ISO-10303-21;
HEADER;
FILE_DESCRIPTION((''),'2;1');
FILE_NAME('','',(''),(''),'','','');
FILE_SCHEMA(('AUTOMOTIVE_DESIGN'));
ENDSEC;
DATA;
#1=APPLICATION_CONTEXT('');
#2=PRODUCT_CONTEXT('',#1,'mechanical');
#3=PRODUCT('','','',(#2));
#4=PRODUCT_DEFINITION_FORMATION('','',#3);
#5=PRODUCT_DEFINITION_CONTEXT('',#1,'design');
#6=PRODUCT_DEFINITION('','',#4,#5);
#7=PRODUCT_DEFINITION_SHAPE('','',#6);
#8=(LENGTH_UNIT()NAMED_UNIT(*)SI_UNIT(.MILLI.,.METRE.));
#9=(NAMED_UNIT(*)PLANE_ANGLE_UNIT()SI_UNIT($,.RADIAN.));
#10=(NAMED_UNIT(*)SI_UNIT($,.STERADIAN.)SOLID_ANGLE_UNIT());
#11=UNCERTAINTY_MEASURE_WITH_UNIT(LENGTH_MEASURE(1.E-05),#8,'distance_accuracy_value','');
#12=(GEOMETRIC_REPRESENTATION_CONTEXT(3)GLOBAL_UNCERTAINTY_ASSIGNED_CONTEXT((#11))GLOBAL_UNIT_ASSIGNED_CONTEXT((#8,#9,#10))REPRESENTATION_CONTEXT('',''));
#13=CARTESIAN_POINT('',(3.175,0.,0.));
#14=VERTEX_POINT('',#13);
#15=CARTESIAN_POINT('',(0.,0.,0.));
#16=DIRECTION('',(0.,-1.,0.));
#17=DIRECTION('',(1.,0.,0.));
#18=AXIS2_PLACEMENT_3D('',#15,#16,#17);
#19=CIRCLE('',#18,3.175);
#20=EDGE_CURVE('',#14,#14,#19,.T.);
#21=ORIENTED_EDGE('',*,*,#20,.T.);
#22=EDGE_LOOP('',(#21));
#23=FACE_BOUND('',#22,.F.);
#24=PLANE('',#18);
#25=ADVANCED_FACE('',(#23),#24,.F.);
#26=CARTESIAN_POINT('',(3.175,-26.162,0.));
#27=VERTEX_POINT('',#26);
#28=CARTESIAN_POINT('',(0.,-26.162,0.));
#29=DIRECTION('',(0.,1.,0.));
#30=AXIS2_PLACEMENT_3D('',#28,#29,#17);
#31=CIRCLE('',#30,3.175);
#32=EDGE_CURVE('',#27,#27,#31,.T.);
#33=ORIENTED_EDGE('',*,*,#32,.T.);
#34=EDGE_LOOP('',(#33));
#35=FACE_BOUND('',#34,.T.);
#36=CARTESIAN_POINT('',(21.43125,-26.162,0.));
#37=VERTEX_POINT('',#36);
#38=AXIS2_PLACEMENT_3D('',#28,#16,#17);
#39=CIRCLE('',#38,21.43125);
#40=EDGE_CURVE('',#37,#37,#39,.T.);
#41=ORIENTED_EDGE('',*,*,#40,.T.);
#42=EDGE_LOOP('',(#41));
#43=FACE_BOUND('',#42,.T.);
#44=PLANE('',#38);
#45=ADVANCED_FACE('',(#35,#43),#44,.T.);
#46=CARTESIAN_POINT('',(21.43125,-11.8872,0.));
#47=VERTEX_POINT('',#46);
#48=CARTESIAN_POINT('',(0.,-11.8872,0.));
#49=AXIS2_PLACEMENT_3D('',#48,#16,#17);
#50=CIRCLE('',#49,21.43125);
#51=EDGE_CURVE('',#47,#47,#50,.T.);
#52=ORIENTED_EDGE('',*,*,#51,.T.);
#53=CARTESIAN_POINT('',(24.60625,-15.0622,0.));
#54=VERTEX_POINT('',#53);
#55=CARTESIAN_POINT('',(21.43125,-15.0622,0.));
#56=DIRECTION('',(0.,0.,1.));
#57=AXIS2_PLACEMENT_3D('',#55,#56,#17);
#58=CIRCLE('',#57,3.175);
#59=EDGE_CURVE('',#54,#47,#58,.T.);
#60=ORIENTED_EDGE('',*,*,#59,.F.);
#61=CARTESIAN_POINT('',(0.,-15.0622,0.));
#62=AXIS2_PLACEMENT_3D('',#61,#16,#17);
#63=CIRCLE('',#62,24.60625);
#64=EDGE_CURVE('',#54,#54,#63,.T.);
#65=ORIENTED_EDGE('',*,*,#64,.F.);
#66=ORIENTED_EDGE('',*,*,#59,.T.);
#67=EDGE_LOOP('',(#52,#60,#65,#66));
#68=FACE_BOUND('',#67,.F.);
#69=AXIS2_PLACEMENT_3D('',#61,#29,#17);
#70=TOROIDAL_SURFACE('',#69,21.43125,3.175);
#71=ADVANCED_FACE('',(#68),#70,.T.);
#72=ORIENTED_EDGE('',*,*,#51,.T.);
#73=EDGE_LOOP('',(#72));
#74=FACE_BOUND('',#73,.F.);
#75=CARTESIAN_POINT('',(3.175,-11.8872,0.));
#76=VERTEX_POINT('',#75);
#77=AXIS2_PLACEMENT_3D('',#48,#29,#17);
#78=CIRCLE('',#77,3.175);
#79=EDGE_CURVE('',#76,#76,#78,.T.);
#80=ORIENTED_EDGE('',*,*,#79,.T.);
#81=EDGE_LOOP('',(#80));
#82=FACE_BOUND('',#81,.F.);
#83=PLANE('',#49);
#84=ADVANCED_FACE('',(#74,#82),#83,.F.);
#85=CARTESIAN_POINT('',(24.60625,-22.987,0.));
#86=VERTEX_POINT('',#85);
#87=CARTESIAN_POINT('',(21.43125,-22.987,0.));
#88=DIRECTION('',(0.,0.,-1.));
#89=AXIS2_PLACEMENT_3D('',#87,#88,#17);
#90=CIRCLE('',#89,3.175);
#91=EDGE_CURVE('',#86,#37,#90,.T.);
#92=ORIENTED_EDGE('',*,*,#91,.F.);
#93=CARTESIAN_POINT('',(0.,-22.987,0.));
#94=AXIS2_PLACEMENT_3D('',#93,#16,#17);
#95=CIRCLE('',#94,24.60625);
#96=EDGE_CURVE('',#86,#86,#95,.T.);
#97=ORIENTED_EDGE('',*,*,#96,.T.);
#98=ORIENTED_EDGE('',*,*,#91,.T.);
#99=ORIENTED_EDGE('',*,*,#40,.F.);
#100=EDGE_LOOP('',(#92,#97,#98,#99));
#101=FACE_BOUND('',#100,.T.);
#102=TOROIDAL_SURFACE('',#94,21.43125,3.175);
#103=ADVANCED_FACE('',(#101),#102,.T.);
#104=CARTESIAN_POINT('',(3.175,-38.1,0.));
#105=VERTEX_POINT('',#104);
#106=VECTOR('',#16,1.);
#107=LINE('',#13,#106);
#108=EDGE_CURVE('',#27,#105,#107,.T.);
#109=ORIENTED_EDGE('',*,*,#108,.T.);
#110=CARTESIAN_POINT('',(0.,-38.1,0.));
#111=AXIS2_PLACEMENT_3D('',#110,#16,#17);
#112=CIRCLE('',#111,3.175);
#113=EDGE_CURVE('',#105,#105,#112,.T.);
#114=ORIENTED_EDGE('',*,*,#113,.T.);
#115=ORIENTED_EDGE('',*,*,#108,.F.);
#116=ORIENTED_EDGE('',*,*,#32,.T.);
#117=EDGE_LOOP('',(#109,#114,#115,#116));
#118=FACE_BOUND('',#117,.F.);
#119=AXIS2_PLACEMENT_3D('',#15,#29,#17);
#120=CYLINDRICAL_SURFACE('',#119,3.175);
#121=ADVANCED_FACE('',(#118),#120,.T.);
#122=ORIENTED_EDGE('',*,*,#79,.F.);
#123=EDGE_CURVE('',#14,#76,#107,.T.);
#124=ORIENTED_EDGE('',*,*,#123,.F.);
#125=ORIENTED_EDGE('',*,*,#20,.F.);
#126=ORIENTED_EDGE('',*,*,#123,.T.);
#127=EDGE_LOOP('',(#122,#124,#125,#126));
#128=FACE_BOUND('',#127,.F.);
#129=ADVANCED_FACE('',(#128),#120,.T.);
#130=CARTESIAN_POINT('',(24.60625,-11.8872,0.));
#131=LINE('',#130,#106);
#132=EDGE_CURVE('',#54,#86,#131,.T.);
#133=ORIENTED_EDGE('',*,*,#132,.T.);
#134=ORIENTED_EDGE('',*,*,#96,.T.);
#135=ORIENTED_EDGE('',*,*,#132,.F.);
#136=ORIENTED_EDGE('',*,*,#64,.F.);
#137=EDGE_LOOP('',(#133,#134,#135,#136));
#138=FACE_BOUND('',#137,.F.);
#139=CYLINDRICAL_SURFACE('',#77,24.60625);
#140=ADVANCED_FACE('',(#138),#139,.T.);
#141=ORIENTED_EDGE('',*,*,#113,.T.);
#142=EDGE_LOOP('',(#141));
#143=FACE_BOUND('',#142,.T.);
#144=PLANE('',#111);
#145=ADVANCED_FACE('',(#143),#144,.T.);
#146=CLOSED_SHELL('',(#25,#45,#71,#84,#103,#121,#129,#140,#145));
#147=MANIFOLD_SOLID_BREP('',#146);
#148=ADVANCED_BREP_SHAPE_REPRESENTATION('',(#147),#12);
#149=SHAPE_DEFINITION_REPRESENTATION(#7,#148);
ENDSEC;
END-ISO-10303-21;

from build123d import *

# Parameters (mm, degrees)
F0_R     = 3.175
F1_DEPTH = 38.1
F3_START = 11.8872
F2_R     = 24.60625
F3_DEPTH = 14.2748
F4_R     = 3.175
F5_R     = 3.175


with BuildPart() as f1:
    # F0 (on Front) → F1 (new body)
    with BuildSketch(Plane.XZ):
        Circle(F0_R)
    extrude(amount=F1_DEPTH)

    # F2 (on Front) → F3 (join)
    with BuildSketch(Plane.XZ.offset(F3_START)):
        Circle(F2_R)
    extrude(amount=F3_DEPTH)

    # F4
    f4_edges = [f1.edges().sort_by_distance(p)[0] for p in [
        (-24.60625, -26.162, 0),
    ]]
    fillet(f4_edges, radius=F4_R)

    # F5
    f5_edges = [f1.edges().sort_by_distance(p)[0] for p in [
        (-24.60625, -11.8872, 0),
    ]]
    fillet(f5_edges, radius=F5_R)


solid = f1.part
